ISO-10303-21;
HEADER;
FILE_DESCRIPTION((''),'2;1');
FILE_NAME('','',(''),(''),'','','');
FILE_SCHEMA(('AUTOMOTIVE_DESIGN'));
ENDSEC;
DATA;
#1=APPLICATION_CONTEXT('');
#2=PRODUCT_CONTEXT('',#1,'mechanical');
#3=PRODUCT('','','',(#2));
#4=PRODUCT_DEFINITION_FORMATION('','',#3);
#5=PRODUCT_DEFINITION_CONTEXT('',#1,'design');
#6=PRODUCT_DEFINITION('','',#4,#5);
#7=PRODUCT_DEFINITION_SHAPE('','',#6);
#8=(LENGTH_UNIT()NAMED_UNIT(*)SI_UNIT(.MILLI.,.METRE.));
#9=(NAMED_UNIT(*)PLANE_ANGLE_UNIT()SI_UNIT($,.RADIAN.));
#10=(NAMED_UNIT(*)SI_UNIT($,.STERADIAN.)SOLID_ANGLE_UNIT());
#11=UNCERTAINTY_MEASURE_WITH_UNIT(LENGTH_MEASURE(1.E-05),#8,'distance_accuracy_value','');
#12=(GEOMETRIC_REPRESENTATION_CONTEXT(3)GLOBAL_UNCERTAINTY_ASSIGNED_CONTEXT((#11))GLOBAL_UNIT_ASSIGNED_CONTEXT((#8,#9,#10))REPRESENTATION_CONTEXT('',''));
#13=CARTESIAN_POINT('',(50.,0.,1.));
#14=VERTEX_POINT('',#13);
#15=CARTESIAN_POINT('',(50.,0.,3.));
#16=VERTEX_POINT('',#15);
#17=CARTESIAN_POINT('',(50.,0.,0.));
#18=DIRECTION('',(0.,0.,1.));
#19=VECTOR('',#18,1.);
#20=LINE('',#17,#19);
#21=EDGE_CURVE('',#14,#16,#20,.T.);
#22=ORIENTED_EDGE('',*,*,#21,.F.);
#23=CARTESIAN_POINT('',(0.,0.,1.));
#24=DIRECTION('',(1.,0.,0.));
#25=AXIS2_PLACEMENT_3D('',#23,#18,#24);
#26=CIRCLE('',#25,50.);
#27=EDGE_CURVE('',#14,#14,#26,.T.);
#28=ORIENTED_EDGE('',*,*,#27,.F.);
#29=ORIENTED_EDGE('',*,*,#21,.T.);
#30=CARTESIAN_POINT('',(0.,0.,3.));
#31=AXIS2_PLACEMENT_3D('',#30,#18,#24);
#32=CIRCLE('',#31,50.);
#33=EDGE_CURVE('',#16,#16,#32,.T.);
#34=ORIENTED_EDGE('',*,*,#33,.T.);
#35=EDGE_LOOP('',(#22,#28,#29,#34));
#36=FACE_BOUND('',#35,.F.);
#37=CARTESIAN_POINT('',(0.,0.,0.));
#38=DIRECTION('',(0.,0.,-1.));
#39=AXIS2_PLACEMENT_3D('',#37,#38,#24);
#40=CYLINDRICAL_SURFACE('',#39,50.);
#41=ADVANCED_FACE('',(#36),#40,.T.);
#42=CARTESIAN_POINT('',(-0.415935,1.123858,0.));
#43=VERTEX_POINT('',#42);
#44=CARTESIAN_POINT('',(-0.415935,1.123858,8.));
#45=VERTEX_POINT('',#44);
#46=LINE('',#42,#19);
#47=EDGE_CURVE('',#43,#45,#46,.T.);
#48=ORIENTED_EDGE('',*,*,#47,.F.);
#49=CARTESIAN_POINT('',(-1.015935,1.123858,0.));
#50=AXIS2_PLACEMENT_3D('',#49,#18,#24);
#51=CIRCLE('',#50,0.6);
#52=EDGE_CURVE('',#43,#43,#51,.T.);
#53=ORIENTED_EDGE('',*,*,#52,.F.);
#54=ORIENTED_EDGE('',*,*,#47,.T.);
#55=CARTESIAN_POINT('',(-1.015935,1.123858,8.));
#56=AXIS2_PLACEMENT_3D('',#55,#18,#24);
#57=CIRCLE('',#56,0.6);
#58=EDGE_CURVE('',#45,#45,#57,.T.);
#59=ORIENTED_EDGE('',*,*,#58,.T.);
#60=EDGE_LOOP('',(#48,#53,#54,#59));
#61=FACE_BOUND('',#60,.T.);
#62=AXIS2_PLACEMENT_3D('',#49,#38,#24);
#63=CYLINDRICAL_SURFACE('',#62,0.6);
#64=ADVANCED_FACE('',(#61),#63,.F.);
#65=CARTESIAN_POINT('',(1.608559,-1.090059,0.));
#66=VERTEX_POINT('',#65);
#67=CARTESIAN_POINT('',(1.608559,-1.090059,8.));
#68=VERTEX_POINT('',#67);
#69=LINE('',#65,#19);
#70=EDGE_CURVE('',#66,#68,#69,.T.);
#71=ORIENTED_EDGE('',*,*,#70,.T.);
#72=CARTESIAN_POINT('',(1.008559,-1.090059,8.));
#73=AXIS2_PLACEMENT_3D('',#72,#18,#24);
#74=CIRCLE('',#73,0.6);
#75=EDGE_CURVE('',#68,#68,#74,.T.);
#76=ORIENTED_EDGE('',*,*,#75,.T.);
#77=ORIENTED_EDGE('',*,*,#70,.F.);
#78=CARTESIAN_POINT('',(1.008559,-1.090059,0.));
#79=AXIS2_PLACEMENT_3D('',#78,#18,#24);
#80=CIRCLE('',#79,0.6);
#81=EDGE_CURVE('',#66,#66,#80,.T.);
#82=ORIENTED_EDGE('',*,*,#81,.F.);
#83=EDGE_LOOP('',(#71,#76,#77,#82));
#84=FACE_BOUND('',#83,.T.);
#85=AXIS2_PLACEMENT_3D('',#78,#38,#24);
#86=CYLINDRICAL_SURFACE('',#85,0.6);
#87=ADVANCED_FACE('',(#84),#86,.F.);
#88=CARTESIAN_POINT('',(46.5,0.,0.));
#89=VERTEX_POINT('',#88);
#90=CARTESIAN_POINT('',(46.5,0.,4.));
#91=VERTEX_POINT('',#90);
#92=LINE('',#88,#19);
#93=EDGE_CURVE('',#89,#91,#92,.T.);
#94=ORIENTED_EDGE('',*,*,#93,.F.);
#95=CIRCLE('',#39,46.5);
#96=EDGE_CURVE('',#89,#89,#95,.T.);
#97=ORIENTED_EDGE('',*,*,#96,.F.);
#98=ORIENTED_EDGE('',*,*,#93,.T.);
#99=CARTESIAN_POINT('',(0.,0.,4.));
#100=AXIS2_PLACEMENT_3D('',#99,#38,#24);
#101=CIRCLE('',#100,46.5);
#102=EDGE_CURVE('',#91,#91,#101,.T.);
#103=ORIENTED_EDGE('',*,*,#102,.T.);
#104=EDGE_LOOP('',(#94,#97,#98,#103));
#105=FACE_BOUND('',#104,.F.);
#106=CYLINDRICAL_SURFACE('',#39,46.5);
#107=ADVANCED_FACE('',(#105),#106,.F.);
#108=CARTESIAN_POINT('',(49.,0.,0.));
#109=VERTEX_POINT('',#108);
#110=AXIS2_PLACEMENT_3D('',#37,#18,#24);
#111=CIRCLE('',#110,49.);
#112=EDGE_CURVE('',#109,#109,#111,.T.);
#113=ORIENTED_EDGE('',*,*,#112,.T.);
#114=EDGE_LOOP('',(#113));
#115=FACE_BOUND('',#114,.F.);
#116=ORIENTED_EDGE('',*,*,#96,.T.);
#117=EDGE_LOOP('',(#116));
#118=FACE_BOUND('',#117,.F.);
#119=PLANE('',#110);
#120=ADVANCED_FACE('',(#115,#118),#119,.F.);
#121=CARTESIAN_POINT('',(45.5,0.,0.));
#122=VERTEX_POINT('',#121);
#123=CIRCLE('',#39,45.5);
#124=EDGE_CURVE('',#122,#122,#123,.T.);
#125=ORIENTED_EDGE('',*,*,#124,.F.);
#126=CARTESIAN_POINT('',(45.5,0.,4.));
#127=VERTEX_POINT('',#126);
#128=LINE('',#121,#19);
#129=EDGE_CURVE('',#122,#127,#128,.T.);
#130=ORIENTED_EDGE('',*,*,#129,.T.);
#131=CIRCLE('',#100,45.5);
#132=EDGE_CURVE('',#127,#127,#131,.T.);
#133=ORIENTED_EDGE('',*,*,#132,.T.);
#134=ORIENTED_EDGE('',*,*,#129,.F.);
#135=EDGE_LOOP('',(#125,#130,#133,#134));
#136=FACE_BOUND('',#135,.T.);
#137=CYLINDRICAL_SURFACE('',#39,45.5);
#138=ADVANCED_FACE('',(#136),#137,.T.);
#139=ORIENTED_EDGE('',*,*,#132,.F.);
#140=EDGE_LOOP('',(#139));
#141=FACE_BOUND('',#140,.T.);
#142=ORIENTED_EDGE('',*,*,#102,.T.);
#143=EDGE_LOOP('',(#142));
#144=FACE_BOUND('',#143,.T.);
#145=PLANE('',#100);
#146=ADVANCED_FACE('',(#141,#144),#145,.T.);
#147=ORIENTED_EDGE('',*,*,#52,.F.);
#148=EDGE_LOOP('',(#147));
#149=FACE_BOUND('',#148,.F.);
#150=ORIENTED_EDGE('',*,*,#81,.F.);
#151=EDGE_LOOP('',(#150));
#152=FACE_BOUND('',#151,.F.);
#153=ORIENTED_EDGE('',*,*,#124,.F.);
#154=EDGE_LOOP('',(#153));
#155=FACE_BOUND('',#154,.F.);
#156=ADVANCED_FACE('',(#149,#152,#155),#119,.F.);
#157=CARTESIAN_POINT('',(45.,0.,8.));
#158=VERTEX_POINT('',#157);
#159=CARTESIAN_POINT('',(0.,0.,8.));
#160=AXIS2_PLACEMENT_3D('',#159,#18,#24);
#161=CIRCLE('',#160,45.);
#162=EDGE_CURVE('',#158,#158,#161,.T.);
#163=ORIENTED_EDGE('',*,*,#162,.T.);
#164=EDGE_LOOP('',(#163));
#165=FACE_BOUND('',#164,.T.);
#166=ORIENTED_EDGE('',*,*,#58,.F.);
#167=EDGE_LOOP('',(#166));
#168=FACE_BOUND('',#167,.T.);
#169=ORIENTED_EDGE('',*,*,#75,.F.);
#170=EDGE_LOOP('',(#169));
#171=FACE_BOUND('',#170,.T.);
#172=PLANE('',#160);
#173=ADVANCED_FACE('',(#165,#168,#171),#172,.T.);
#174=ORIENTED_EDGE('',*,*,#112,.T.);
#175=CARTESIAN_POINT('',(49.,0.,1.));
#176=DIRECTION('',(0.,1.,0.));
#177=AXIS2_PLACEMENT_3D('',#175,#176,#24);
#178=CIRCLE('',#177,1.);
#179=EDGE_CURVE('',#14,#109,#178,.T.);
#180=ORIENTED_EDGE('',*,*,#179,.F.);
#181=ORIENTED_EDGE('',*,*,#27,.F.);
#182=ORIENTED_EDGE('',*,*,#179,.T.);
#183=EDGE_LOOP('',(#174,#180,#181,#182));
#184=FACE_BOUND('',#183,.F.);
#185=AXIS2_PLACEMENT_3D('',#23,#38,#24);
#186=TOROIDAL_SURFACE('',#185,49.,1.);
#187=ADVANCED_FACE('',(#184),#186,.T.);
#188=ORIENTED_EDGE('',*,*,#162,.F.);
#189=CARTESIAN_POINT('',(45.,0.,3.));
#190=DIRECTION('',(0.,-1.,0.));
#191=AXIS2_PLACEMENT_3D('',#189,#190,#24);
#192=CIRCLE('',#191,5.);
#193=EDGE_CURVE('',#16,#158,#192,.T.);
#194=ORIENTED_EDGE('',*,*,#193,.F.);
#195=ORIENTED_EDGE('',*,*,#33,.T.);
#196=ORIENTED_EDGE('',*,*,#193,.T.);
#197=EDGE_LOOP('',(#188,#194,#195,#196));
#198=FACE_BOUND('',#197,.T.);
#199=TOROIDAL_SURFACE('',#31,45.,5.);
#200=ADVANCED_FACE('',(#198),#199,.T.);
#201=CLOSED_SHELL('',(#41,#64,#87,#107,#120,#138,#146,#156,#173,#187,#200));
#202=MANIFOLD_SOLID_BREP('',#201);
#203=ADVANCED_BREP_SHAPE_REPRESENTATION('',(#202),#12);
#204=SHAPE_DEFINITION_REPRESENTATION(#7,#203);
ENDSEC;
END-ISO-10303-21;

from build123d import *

# Parameters (mm, degrees)
F0_R     = 50
F0_R_2   = 0.6
F1_DEPTH = 8
F2_R     = 5
F3_R     = 1
F4_R     = 46.5
F4_R_2   = 45.5
F5_DEPTH = 4


with BuildPart() as f1:
    # F0 (on Top) → F1 (new body)
    with BuildSketch(Plane.XY):
        Circle(F0_R)
        with Locations((1.008559, -1.090059)):
            Circle(F0_R_2, mode=Mode.SUBTRACT)
        with Locations((-1.015935, 1.123858)):
            Circle(F0_R_2, mode=Mode.SUBTRACT)
    extrude(amount=F1_DEPTH)

    # F2
    f2_edges = [f1.edges().sort_by_distance(p)[0] for p in [
        (-50, 0, 8),
    ]]
    fillet(f2_edges, radius=F2_R)

    # F3
    f3_edges = [f1.edges().sort_by_distance(p)[0] for p in [
        (-50, 0, 0),
    ]]
    fillet(f3_edges, radius=F3_R)

    # F4 (on face) → F5 (cut)
    with BuildSketch(Plane(origin=(0, 0, 0), x_dir=(1, 0, 0), z_dir=(0, 0, -1))):
        Circle(F4_R)
        Circle(F4_R_2, mode=Mode.SUBTRACT)
    extrude(amount=-F5_DEPTH, mode=Mode.SUBTRACT)


solid = f1.part
